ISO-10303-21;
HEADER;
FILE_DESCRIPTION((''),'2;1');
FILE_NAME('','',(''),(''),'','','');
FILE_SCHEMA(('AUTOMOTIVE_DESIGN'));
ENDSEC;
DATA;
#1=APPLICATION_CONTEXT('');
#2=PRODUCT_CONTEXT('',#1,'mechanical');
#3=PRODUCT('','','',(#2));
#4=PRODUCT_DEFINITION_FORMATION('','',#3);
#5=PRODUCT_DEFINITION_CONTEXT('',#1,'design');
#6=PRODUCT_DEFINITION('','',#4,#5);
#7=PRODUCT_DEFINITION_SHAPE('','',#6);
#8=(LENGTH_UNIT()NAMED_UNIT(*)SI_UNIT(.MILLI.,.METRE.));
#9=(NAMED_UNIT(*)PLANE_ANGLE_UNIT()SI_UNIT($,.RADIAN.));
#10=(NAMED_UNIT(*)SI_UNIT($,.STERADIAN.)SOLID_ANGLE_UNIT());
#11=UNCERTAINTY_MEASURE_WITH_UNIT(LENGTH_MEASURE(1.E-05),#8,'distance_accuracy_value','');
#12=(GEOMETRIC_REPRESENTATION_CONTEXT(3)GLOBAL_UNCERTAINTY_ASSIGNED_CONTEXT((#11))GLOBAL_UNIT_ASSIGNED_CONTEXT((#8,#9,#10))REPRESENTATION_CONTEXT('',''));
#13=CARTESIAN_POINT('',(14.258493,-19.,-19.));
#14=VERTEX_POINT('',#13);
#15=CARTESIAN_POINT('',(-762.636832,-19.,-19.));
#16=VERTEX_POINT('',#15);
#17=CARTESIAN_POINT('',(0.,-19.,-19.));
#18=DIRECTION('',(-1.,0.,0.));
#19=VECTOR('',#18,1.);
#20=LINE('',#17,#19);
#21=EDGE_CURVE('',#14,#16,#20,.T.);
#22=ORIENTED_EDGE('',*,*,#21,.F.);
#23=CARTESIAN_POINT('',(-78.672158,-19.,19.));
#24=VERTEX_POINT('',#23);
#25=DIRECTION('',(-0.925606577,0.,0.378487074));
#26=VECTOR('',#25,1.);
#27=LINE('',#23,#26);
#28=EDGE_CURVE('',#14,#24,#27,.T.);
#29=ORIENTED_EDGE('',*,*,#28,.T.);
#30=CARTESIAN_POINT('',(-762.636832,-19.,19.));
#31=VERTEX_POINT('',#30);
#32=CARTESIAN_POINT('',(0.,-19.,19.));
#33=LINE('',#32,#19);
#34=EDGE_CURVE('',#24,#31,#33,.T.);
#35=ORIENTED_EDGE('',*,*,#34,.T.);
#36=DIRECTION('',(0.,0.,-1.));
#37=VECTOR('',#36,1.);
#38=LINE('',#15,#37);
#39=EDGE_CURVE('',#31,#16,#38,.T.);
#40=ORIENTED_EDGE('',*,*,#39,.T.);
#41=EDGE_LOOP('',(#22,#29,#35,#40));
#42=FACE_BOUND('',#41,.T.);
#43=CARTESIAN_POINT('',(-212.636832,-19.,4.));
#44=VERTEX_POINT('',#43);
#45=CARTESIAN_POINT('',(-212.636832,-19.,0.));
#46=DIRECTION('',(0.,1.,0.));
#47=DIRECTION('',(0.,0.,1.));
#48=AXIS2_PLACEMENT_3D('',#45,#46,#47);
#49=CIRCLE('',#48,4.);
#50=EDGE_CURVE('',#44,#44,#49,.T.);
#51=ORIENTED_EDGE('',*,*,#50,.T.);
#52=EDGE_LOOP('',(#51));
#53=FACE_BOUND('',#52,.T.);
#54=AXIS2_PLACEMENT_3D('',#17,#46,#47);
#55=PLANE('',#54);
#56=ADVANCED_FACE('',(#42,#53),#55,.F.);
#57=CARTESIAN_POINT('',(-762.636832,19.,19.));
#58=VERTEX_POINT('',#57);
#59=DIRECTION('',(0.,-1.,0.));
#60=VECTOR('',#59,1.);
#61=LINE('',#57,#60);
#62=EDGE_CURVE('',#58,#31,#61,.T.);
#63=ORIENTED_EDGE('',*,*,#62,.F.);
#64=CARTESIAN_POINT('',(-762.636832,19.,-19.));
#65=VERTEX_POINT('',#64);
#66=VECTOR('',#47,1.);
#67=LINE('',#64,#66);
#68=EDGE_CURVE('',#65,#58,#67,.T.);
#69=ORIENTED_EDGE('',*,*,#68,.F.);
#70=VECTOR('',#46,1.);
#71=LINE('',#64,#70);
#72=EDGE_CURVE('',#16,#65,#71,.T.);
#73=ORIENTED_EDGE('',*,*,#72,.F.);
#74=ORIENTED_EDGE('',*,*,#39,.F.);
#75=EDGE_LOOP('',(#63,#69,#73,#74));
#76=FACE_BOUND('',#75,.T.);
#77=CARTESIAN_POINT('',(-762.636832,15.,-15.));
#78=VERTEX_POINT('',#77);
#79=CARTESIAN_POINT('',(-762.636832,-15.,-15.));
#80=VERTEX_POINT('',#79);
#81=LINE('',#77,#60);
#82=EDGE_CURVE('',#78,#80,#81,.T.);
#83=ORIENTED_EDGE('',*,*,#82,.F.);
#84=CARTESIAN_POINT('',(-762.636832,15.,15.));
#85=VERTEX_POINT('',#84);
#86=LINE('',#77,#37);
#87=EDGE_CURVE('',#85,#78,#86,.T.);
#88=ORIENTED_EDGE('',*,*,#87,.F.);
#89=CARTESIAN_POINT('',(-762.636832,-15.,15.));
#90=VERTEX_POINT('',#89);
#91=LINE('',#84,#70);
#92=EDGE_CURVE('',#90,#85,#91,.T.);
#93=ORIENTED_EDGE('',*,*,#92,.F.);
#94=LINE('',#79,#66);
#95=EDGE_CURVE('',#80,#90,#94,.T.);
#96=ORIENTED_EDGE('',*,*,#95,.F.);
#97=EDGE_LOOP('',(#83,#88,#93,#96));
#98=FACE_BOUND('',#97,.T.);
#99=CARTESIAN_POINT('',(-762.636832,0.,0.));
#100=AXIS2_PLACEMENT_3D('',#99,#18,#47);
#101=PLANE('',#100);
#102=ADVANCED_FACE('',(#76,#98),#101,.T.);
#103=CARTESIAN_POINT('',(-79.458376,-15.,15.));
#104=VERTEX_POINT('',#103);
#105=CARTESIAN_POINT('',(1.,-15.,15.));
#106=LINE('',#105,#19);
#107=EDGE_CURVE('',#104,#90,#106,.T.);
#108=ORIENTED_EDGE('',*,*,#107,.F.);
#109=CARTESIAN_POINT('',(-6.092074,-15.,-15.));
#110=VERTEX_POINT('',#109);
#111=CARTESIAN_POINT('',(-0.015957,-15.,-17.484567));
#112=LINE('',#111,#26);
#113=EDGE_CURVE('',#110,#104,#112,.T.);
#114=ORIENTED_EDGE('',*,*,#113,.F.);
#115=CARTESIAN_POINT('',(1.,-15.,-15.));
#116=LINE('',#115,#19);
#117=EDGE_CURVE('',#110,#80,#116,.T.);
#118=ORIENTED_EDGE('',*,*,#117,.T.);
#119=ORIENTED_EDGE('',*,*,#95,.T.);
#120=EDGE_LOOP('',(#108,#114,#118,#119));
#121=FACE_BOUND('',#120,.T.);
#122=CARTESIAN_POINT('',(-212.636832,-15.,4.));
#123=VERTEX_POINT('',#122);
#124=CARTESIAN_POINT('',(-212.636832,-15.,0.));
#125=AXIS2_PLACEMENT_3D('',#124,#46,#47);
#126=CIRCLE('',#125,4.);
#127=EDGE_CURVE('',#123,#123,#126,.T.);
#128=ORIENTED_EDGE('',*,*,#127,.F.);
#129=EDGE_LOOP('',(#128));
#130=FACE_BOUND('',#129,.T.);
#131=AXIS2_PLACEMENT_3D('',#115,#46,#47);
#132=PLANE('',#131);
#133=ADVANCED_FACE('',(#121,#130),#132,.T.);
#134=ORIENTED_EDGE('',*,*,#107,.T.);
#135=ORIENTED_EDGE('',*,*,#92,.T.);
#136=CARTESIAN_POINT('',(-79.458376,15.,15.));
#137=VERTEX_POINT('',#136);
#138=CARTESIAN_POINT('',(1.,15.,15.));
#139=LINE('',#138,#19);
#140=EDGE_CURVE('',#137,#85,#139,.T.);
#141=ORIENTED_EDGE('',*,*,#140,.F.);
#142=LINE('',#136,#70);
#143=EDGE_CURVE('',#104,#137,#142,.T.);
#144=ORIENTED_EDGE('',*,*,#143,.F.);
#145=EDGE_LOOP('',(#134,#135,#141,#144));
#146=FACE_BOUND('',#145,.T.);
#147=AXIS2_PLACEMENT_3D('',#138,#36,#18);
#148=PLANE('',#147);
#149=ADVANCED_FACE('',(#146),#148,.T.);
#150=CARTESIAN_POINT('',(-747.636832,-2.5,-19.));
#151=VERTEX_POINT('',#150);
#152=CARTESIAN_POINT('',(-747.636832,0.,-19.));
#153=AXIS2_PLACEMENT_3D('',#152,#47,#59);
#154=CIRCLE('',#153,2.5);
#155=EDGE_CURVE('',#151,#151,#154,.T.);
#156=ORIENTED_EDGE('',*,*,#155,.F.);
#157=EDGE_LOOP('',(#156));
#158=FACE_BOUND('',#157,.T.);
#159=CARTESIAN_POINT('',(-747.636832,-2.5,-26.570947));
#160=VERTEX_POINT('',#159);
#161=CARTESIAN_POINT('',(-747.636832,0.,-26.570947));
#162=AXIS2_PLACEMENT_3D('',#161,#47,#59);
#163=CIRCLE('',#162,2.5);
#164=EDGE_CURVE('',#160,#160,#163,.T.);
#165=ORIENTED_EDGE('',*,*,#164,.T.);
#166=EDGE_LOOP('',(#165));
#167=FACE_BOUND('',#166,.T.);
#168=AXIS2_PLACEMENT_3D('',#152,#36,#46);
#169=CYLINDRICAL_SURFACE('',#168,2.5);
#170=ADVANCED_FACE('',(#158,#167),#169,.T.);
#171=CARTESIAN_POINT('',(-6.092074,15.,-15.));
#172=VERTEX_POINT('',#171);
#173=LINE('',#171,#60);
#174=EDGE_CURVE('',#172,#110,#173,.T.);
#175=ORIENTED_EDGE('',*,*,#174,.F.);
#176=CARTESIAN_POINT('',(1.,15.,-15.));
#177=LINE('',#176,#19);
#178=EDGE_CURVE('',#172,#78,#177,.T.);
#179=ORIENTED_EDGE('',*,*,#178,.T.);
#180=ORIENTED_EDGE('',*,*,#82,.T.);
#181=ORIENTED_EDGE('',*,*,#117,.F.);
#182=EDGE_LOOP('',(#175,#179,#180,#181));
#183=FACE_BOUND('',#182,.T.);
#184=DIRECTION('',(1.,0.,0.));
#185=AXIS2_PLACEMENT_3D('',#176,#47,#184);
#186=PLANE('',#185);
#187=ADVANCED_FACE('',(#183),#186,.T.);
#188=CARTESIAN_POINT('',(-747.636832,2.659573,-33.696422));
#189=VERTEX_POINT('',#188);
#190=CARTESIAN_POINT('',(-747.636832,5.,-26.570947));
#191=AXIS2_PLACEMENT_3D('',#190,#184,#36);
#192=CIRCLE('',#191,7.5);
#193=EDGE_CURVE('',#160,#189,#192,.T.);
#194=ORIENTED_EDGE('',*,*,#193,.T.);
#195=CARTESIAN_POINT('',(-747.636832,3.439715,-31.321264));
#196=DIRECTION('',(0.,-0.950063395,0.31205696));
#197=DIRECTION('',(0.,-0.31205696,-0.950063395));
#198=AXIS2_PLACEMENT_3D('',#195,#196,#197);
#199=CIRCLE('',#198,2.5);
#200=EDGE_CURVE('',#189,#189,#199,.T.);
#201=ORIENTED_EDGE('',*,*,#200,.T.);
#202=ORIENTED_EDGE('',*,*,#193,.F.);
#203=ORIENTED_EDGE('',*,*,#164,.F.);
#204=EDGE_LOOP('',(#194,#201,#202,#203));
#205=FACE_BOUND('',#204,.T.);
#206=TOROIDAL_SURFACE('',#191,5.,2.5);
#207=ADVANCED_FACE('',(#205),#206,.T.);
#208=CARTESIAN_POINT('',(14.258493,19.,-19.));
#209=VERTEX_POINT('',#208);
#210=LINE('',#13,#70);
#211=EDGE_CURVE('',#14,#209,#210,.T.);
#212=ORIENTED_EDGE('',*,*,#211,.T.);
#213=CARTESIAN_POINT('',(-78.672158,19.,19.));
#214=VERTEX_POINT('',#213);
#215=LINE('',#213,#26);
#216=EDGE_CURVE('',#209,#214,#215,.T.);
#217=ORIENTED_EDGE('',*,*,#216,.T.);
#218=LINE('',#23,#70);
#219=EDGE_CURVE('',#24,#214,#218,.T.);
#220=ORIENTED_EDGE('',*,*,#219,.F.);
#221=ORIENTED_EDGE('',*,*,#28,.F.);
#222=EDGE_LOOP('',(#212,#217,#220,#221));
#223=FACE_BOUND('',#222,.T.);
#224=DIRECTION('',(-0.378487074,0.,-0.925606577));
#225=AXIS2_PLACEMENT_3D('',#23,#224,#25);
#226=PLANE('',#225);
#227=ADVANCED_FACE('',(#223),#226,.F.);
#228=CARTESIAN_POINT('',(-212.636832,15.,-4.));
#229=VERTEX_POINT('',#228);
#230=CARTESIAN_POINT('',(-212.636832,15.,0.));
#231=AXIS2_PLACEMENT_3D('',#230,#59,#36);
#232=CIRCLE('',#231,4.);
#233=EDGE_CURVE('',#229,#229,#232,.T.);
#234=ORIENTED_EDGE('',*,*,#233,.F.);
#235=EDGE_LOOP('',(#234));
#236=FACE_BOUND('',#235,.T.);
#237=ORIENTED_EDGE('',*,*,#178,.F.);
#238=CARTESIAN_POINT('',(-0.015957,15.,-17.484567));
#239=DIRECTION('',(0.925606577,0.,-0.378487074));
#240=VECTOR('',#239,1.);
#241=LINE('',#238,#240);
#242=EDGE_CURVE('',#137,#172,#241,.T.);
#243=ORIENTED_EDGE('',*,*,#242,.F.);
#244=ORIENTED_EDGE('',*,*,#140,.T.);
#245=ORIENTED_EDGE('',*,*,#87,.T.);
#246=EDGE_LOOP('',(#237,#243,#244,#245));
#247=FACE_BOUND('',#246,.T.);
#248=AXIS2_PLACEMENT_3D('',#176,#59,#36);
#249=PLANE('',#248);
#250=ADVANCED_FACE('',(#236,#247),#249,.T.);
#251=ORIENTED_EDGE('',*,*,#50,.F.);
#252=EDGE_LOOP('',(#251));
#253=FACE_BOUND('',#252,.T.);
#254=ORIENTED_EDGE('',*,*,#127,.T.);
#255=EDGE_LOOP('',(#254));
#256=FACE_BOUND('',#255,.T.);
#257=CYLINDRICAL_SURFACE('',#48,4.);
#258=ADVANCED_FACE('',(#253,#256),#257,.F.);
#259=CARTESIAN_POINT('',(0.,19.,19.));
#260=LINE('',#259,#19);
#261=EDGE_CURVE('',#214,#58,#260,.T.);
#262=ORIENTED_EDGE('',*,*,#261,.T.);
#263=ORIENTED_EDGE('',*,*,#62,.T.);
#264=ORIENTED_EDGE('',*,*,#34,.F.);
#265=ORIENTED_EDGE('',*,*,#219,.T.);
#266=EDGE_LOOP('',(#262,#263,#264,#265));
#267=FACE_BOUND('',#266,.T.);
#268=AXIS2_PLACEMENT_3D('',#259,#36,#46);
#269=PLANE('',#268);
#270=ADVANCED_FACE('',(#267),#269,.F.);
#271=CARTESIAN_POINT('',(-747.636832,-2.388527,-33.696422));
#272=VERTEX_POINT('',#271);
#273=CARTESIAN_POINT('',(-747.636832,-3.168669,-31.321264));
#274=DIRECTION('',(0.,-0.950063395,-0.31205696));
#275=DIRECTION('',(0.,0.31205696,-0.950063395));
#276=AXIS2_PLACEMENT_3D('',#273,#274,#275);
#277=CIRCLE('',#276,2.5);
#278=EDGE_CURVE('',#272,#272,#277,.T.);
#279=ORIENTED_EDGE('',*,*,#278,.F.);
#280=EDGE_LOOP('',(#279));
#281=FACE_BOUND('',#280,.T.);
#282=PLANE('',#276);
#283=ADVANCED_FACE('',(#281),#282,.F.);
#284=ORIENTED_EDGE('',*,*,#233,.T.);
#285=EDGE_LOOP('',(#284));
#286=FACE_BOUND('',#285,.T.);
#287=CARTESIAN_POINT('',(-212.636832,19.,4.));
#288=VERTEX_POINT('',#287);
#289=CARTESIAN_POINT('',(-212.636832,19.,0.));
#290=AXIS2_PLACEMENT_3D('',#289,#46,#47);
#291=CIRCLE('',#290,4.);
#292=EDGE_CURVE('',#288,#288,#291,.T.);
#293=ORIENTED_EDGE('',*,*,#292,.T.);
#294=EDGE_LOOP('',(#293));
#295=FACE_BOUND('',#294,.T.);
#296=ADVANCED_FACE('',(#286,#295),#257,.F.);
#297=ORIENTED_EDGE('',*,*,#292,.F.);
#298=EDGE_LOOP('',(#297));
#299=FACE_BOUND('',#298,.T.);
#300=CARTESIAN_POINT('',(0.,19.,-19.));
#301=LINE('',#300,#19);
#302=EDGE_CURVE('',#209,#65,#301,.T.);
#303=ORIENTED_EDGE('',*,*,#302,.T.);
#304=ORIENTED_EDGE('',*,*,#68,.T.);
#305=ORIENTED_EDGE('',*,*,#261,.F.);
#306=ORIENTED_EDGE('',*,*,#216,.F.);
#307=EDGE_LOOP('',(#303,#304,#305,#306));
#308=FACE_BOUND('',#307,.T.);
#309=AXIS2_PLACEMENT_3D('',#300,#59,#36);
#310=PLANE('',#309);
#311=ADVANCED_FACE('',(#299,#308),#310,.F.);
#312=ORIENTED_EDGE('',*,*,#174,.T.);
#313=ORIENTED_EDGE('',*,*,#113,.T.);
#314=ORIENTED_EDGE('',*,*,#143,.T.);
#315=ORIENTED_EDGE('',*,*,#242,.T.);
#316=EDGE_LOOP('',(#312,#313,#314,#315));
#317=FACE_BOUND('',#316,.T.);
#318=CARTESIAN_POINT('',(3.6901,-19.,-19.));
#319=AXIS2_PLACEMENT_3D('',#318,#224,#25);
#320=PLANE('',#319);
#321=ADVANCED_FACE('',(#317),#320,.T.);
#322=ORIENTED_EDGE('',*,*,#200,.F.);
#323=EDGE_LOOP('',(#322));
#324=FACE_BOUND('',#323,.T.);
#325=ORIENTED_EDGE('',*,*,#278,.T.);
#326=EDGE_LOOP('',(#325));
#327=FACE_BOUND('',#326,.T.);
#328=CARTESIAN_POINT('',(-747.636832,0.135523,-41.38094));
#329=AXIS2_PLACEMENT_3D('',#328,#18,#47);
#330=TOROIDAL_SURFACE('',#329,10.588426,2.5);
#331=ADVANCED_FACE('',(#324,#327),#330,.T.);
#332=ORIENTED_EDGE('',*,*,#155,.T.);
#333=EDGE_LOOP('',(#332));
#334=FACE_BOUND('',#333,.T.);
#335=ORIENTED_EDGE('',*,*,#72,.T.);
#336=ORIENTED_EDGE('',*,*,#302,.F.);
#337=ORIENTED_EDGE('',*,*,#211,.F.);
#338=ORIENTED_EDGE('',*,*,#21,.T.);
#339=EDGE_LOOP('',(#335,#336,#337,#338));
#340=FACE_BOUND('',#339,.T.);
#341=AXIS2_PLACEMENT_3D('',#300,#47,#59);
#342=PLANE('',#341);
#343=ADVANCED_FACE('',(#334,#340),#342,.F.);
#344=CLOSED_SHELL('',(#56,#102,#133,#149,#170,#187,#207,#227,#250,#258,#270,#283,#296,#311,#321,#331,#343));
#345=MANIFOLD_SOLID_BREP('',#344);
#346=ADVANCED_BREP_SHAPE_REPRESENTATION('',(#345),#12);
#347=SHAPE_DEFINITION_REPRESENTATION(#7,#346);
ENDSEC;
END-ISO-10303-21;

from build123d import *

# Parameters (mm, degrees)
SKETCH2_W           = 38
SKETCH2_H           = 38
SKETCH3_W           = 30
SKETCH3_H           = 30
SKETCH4_R           = 4
CUT_EXTRUDE1_DEPTH  = 764.819309892
SWEEP2_PROFILE_R    = 2.5
CUT_EXTRUDE2_DEPTH  = 766.523252428
BOSS_EXTRUDE1_DEPTH = 38
SKETCH22_W          = 30
SKETCH22_H          = 30
CUT_EXTRUDE3_DEPTH  = 837.549484437
CUT_EXTRUDE4_DEPTH  = 766.523252428
CUT_EXTRUDE5_DEPTH  = 766.523252428
BOSS_EXTRUDE2_REACH = 767.523


with BuildPart() as part:
    # Sweep1: sweep along a path in Sketch1
    with BuildLine(Plane(origin=(0, 0, 0), x_dir=(1, 0, 0), z_dir=(0, 1, 0))) as sweep1_path:
        Line((0, 0), (-762.63683242, 0))
    # Sketch2 → Sweep1 (sweep)
    with BuildSketch(Plane(origin=(0, 0, 0), x_dir=(0, 0, -1), z_dir=(1, 0, 0))):
        Rectangle(SKETCH2_W, SKETCH2_H)
    sweep(path=sweep1_path.line)

    # Cut-Sweep1: sweep along a path in Sketch1<2>
    with BuildLine(Plane(origin=(0, 0, 0), x_dir=(1, 0, 0), z_dir=(0, 1, 0))) as cut_sweep1_path:
        Line((0, 0), (-762.63683242, 0))
    # Sketch3 → Cut-Sweep1 (sweep, cut)
    with BuildSketch(Plane(origin=(0, 0, 0), x_dir=(0, 0, -1), z_dir=(1, 0, 0))):
        Rectangle(SKETCH3_W, SKETCH3_H)
    sweep(path=cut_sweep1_path.line, mode=Mode.SUBTRACT)

    # Sketch4 → Cut-Extrude1 (cut, through all)
    with BuildSketch(Plane(origin=(0, 19, 0), x_dir=(1, 0, 0), z_dir=(0, 1, 0))):
        with Locations((-212.63683242, 0)):
            Circle(SKETCH4_R)
    extrude(amount=-CUT_EXTRUDE1_DEPTH, mode=Mode.SUBTRACT)

    # Sweep2: sweep along a path in Sketch5
    with BuildLine(Plane.ZY.offset(747.63683242)) as sweep2_path:
        Line((-19, 0), (-26.570946825, 0))
        ThreePointArc((-26.570946825, 0), (-29.503401087, 0.950220747), (-31.321263798, 3.4397152))
        ThreePointArc((-31.321263798, 3.4397152), (-51.969366005, 0.135523131), (-31.321263798, -3.168668939))
    # Sweep2 profile (on start of the path) → Sweep2 (sweep)
    with BuildSketch(Plane(origin=(-747.63683242, 0, -19), x_dir=(0, -1, 0), z_dir=(0, 0, -1))):
        Circle(SWEEP2_PROFILE_R)
    sweep(path=sweep2_path.line)

    # Sketch16 → Cut-Extrude2 (cut, through all)
    with BuildSketch(Plane(origin=(0, 19, 0), x_dir=(1, 0, 0), z_dir=(0, 1, 0))):
        Polygon((0, -19), (0, 19), (-71.907398101, -19), align=None)
    extrude(amount=-CUT_EXTRUDE2_DEPTH, mode=Mode.SUBTRACT)

    # Sketch17 → Boss-Extrude1 (add)
    with BuildSketch(Plane(origin=(0, 19, 0), x_dir=(1, 0, 0), z_dir=(0, 1, 0))):
        Polygon((-71.907398101, -19), (0, -19), (71.921211139, 19), (0, 19), align=None)
    extrude(amount=-BOSS_EXTRUDE1_DEPTH)

    # Sketch22 → Cut-Extrude3 (cut, through all)
    with BuildSketch(Plane.ZY.offset(762.63683242)):
        Rectangle(SKETCH22_W, SKETCH22_H)
    extrude(amount=-CUT_EXTRUDE3_DEPTH, mode=Mode.SUBTRACT)

    # Sketch23 → Cut-Extrude4 (cut, through all)
    with BuildSketch(Plane(origin=(0, 19, 0), x_dir=(1, 0, 0), z_dir=(0, 1, 0))):
        Polygon((14.258492684, 0), (-32.20683242, -19), (0, -19), (71.921211139, 19), (60.723817789, 19), align=None)
    extrude(amount=-CUT_EXTRUDE4_DEPTH, mode=Mode.SUBTRACT)

    # Sketch24 → Cut-Extrude5 (cut, through all)
    with BuildSketch(Plane(origin=(0, 19, 0), x_dir=(1, 0, 0), z_dir=(0, 1, 0))):
        Polygon((-78.672157524, -19), (14.258492684, 19), (60.723817789, 19), (-32.20683242, -19), align=None)
    extrude(amount=-CUT_EXTRUDE5_DEPTH, mode=Mode.SUBTRACT)

    # Sketch25 → Boss-Extrude2 (add, up to next)
    with BuildSketch(Plane(origin=(0, 19, 0), x_dir=(1, 0, 0), z_dir=(0, 1, 0)), mode=Mode.PRIVATE) as boss_extrude2_sk1:
        Polygon((3.690100071, 19), (-89.240550137, -19), (-78.672157524, -19), (14.258492684, 19), align=None)
    boss_extrude2_tool1 = extrude(boss_extrude2_sk1.sketch, amount=-BOSS_EXTRUDE2_REACH, mode=Mode.PRIVATE) - part.part
    add(boss_extrude2_tool1.solids().sort_by_distance((-37.491029, 19, 0))[0])


solid = part.part
